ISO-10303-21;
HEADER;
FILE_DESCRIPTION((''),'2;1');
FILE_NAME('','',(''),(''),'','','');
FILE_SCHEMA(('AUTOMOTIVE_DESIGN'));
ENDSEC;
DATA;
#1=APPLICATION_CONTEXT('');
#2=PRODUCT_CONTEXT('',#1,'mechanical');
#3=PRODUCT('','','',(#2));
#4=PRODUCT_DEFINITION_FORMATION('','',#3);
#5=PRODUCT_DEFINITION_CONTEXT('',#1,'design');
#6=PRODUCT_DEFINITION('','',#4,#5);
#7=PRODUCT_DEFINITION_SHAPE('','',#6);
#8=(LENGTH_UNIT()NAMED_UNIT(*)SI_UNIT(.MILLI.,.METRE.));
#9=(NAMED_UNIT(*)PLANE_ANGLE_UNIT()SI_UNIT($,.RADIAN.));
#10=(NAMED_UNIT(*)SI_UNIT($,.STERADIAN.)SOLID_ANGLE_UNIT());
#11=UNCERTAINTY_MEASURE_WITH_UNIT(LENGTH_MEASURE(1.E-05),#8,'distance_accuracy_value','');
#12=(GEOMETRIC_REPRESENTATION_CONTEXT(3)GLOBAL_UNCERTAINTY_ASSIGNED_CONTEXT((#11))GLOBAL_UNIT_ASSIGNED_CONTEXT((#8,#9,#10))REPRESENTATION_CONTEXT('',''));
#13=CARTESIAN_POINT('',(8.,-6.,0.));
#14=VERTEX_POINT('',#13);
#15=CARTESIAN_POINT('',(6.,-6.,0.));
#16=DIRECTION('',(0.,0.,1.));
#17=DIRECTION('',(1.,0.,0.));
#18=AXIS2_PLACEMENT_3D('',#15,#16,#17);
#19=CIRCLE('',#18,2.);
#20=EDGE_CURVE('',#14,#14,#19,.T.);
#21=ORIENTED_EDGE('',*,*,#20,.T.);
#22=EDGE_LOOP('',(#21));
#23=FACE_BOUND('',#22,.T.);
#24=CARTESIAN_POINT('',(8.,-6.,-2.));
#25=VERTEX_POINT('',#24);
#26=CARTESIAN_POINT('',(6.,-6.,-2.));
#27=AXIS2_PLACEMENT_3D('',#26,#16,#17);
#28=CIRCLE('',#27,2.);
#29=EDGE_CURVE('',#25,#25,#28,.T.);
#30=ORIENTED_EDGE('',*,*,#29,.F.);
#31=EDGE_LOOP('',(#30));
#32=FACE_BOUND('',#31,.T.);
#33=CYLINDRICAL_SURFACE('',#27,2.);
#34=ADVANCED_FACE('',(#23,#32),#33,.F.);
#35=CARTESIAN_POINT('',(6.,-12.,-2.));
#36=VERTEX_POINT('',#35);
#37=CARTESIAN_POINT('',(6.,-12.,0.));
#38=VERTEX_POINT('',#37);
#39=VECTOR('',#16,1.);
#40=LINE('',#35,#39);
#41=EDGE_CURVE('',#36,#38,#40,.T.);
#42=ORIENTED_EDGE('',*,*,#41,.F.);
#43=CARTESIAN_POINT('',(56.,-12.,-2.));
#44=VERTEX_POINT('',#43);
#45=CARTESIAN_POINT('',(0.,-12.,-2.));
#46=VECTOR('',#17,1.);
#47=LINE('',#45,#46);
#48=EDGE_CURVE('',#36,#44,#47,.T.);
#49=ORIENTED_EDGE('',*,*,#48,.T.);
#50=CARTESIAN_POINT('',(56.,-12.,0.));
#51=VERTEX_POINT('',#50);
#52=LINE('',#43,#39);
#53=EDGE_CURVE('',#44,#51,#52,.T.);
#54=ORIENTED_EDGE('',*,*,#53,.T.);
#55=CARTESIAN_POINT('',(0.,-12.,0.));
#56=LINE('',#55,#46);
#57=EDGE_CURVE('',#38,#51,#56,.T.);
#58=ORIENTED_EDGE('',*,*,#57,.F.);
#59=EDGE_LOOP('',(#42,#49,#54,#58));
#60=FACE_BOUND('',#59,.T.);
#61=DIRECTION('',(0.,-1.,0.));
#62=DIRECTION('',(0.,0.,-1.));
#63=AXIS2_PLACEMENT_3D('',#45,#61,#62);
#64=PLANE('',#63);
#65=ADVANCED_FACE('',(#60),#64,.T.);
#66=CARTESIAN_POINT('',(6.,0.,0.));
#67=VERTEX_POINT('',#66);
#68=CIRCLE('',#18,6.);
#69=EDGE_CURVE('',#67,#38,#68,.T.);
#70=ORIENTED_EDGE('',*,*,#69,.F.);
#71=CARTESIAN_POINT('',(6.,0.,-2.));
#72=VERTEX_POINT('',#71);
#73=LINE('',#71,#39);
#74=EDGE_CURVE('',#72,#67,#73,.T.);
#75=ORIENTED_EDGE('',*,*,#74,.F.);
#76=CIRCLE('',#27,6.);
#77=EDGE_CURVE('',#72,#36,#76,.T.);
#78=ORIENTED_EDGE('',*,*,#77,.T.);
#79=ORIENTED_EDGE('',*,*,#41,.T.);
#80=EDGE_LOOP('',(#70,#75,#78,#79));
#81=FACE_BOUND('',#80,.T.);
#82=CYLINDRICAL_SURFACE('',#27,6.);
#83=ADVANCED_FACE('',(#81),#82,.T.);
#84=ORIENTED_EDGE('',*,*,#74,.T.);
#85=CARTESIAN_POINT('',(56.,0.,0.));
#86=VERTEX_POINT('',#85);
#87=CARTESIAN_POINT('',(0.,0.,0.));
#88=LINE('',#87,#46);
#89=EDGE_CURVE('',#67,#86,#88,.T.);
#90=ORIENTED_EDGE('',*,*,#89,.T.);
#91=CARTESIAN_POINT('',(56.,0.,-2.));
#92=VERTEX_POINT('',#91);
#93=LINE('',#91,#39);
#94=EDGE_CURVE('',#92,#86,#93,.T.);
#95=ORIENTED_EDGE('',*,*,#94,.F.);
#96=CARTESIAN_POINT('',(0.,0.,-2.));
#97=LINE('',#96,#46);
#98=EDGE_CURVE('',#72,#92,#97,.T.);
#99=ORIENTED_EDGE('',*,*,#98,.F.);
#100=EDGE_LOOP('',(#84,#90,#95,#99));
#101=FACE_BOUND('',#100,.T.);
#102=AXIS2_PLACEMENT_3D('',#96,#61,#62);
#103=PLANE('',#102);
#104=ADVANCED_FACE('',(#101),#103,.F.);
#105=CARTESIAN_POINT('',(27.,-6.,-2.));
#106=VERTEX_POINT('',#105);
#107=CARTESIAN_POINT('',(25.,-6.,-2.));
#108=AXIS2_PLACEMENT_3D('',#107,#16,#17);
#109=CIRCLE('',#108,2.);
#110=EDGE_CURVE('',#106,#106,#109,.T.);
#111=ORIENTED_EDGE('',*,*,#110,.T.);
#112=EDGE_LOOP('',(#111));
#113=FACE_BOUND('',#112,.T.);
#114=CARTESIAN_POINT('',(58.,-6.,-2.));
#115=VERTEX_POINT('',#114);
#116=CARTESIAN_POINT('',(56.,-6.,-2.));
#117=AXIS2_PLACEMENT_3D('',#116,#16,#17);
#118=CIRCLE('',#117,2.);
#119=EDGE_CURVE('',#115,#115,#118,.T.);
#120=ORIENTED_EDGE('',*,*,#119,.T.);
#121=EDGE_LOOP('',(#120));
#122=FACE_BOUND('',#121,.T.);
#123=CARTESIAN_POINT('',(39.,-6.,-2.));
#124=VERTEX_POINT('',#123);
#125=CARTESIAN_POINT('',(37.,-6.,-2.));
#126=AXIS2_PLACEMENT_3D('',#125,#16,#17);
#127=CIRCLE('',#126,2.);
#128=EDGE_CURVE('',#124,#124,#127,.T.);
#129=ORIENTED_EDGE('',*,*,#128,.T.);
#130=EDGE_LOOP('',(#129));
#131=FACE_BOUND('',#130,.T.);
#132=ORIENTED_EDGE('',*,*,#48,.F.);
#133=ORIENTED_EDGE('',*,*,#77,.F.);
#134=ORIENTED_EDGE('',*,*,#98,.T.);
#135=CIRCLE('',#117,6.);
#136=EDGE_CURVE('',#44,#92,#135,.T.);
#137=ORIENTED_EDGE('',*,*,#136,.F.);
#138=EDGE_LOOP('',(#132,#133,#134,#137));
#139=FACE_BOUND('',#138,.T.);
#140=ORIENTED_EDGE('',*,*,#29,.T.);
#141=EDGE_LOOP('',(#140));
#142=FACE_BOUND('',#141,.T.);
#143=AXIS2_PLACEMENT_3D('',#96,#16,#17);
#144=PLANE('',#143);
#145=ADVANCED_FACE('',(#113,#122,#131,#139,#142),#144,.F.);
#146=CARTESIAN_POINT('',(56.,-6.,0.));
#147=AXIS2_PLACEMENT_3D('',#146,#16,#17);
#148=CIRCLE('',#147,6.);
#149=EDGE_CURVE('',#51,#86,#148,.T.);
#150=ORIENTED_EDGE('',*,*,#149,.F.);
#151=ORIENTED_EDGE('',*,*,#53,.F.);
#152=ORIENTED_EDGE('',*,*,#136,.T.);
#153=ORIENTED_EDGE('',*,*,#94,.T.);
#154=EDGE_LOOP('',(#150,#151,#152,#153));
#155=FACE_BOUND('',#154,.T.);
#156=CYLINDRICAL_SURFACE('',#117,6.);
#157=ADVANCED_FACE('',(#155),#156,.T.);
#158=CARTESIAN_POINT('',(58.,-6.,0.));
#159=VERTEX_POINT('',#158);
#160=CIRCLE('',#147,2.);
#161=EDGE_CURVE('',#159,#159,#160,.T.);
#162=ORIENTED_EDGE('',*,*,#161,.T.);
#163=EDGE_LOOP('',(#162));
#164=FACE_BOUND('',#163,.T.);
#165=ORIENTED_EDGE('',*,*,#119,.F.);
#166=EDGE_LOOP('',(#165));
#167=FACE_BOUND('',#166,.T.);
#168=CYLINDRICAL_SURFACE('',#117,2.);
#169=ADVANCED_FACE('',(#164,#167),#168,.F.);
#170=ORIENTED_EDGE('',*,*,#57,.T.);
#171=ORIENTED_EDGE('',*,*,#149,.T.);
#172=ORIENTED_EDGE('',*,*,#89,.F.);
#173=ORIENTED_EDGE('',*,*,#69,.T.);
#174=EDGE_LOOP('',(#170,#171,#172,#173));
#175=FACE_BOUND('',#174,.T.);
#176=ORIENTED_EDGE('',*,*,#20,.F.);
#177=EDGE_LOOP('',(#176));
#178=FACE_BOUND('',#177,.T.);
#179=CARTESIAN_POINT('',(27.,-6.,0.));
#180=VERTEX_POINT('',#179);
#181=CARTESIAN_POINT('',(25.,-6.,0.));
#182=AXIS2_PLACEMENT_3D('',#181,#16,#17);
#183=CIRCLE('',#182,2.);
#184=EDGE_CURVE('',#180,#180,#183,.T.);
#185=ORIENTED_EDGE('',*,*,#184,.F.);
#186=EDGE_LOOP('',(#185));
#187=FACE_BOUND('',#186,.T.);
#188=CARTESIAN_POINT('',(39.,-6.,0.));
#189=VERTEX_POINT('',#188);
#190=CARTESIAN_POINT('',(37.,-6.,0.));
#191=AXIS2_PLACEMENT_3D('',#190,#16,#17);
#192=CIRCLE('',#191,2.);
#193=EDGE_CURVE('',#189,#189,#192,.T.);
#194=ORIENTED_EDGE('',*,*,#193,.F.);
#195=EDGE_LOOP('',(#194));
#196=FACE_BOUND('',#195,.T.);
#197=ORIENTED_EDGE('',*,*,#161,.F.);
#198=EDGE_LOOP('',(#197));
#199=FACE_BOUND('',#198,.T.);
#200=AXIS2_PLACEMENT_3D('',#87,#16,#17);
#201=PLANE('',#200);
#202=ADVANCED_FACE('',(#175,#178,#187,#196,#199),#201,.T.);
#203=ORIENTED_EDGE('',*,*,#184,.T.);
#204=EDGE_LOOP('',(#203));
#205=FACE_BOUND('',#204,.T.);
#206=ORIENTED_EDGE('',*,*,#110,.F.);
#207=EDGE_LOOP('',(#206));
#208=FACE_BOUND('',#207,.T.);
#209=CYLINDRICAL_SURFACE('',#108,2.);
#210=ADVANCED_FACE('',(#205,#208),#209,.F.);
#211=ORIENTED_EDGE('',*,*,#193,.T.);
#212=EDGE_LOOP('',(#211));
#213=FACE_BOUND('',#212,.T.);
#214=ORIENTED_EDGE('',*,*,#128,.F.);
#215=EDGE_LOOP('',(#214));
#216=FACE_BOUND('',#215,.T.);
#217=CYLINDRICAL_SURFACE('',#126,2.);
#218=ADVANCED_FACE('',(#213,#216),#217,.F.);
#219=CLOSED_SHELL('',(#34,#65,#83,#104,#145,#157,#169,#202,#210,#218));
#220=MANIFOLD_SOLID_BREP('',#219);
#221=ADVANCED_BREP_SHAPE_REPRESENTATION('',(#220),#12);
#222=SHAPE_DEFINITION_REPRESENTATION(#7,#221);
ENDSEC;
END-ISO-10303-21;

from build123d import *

# Parameters (mm, degrees)
ESQUISSE1_R        = 2
BOSS_EXTRU_1_DEPTH = 2


with BuildPart() as part:
    # Esquisse1 → Boss.-Extru.1 (new body)
    with BuildSketch(Plane.XY):
        with BuildLine():
            Line((6, -12), (56, -12))
            ThreePointArc((56, -12), (62, -6), (56, 0))
            Line((56, 0), (6, 0))
            ThreePointArc((6, 0), (0, -6), (6, -12))
        make_face()
        with Locations((6, -6)):
            Circle(ESQUISSE1_R, mode=Mode.SUBTRACT)
        with Locations((25, -6)):
            Circle(ESQUISSE1_R, mode=Mode.SUBTRACT)
        with Locations((37, -6)):
            Circle(ESQUISSE1_R, mode=Mode.SUBTRACT)
        with Locations((56, -6)):
            Circle(ESQUISSE1_R, mode=Mode.SUBTRACT)
    extrude(amount=-BOSS_EXTRU_1_DEPTH)


solid = part.part
